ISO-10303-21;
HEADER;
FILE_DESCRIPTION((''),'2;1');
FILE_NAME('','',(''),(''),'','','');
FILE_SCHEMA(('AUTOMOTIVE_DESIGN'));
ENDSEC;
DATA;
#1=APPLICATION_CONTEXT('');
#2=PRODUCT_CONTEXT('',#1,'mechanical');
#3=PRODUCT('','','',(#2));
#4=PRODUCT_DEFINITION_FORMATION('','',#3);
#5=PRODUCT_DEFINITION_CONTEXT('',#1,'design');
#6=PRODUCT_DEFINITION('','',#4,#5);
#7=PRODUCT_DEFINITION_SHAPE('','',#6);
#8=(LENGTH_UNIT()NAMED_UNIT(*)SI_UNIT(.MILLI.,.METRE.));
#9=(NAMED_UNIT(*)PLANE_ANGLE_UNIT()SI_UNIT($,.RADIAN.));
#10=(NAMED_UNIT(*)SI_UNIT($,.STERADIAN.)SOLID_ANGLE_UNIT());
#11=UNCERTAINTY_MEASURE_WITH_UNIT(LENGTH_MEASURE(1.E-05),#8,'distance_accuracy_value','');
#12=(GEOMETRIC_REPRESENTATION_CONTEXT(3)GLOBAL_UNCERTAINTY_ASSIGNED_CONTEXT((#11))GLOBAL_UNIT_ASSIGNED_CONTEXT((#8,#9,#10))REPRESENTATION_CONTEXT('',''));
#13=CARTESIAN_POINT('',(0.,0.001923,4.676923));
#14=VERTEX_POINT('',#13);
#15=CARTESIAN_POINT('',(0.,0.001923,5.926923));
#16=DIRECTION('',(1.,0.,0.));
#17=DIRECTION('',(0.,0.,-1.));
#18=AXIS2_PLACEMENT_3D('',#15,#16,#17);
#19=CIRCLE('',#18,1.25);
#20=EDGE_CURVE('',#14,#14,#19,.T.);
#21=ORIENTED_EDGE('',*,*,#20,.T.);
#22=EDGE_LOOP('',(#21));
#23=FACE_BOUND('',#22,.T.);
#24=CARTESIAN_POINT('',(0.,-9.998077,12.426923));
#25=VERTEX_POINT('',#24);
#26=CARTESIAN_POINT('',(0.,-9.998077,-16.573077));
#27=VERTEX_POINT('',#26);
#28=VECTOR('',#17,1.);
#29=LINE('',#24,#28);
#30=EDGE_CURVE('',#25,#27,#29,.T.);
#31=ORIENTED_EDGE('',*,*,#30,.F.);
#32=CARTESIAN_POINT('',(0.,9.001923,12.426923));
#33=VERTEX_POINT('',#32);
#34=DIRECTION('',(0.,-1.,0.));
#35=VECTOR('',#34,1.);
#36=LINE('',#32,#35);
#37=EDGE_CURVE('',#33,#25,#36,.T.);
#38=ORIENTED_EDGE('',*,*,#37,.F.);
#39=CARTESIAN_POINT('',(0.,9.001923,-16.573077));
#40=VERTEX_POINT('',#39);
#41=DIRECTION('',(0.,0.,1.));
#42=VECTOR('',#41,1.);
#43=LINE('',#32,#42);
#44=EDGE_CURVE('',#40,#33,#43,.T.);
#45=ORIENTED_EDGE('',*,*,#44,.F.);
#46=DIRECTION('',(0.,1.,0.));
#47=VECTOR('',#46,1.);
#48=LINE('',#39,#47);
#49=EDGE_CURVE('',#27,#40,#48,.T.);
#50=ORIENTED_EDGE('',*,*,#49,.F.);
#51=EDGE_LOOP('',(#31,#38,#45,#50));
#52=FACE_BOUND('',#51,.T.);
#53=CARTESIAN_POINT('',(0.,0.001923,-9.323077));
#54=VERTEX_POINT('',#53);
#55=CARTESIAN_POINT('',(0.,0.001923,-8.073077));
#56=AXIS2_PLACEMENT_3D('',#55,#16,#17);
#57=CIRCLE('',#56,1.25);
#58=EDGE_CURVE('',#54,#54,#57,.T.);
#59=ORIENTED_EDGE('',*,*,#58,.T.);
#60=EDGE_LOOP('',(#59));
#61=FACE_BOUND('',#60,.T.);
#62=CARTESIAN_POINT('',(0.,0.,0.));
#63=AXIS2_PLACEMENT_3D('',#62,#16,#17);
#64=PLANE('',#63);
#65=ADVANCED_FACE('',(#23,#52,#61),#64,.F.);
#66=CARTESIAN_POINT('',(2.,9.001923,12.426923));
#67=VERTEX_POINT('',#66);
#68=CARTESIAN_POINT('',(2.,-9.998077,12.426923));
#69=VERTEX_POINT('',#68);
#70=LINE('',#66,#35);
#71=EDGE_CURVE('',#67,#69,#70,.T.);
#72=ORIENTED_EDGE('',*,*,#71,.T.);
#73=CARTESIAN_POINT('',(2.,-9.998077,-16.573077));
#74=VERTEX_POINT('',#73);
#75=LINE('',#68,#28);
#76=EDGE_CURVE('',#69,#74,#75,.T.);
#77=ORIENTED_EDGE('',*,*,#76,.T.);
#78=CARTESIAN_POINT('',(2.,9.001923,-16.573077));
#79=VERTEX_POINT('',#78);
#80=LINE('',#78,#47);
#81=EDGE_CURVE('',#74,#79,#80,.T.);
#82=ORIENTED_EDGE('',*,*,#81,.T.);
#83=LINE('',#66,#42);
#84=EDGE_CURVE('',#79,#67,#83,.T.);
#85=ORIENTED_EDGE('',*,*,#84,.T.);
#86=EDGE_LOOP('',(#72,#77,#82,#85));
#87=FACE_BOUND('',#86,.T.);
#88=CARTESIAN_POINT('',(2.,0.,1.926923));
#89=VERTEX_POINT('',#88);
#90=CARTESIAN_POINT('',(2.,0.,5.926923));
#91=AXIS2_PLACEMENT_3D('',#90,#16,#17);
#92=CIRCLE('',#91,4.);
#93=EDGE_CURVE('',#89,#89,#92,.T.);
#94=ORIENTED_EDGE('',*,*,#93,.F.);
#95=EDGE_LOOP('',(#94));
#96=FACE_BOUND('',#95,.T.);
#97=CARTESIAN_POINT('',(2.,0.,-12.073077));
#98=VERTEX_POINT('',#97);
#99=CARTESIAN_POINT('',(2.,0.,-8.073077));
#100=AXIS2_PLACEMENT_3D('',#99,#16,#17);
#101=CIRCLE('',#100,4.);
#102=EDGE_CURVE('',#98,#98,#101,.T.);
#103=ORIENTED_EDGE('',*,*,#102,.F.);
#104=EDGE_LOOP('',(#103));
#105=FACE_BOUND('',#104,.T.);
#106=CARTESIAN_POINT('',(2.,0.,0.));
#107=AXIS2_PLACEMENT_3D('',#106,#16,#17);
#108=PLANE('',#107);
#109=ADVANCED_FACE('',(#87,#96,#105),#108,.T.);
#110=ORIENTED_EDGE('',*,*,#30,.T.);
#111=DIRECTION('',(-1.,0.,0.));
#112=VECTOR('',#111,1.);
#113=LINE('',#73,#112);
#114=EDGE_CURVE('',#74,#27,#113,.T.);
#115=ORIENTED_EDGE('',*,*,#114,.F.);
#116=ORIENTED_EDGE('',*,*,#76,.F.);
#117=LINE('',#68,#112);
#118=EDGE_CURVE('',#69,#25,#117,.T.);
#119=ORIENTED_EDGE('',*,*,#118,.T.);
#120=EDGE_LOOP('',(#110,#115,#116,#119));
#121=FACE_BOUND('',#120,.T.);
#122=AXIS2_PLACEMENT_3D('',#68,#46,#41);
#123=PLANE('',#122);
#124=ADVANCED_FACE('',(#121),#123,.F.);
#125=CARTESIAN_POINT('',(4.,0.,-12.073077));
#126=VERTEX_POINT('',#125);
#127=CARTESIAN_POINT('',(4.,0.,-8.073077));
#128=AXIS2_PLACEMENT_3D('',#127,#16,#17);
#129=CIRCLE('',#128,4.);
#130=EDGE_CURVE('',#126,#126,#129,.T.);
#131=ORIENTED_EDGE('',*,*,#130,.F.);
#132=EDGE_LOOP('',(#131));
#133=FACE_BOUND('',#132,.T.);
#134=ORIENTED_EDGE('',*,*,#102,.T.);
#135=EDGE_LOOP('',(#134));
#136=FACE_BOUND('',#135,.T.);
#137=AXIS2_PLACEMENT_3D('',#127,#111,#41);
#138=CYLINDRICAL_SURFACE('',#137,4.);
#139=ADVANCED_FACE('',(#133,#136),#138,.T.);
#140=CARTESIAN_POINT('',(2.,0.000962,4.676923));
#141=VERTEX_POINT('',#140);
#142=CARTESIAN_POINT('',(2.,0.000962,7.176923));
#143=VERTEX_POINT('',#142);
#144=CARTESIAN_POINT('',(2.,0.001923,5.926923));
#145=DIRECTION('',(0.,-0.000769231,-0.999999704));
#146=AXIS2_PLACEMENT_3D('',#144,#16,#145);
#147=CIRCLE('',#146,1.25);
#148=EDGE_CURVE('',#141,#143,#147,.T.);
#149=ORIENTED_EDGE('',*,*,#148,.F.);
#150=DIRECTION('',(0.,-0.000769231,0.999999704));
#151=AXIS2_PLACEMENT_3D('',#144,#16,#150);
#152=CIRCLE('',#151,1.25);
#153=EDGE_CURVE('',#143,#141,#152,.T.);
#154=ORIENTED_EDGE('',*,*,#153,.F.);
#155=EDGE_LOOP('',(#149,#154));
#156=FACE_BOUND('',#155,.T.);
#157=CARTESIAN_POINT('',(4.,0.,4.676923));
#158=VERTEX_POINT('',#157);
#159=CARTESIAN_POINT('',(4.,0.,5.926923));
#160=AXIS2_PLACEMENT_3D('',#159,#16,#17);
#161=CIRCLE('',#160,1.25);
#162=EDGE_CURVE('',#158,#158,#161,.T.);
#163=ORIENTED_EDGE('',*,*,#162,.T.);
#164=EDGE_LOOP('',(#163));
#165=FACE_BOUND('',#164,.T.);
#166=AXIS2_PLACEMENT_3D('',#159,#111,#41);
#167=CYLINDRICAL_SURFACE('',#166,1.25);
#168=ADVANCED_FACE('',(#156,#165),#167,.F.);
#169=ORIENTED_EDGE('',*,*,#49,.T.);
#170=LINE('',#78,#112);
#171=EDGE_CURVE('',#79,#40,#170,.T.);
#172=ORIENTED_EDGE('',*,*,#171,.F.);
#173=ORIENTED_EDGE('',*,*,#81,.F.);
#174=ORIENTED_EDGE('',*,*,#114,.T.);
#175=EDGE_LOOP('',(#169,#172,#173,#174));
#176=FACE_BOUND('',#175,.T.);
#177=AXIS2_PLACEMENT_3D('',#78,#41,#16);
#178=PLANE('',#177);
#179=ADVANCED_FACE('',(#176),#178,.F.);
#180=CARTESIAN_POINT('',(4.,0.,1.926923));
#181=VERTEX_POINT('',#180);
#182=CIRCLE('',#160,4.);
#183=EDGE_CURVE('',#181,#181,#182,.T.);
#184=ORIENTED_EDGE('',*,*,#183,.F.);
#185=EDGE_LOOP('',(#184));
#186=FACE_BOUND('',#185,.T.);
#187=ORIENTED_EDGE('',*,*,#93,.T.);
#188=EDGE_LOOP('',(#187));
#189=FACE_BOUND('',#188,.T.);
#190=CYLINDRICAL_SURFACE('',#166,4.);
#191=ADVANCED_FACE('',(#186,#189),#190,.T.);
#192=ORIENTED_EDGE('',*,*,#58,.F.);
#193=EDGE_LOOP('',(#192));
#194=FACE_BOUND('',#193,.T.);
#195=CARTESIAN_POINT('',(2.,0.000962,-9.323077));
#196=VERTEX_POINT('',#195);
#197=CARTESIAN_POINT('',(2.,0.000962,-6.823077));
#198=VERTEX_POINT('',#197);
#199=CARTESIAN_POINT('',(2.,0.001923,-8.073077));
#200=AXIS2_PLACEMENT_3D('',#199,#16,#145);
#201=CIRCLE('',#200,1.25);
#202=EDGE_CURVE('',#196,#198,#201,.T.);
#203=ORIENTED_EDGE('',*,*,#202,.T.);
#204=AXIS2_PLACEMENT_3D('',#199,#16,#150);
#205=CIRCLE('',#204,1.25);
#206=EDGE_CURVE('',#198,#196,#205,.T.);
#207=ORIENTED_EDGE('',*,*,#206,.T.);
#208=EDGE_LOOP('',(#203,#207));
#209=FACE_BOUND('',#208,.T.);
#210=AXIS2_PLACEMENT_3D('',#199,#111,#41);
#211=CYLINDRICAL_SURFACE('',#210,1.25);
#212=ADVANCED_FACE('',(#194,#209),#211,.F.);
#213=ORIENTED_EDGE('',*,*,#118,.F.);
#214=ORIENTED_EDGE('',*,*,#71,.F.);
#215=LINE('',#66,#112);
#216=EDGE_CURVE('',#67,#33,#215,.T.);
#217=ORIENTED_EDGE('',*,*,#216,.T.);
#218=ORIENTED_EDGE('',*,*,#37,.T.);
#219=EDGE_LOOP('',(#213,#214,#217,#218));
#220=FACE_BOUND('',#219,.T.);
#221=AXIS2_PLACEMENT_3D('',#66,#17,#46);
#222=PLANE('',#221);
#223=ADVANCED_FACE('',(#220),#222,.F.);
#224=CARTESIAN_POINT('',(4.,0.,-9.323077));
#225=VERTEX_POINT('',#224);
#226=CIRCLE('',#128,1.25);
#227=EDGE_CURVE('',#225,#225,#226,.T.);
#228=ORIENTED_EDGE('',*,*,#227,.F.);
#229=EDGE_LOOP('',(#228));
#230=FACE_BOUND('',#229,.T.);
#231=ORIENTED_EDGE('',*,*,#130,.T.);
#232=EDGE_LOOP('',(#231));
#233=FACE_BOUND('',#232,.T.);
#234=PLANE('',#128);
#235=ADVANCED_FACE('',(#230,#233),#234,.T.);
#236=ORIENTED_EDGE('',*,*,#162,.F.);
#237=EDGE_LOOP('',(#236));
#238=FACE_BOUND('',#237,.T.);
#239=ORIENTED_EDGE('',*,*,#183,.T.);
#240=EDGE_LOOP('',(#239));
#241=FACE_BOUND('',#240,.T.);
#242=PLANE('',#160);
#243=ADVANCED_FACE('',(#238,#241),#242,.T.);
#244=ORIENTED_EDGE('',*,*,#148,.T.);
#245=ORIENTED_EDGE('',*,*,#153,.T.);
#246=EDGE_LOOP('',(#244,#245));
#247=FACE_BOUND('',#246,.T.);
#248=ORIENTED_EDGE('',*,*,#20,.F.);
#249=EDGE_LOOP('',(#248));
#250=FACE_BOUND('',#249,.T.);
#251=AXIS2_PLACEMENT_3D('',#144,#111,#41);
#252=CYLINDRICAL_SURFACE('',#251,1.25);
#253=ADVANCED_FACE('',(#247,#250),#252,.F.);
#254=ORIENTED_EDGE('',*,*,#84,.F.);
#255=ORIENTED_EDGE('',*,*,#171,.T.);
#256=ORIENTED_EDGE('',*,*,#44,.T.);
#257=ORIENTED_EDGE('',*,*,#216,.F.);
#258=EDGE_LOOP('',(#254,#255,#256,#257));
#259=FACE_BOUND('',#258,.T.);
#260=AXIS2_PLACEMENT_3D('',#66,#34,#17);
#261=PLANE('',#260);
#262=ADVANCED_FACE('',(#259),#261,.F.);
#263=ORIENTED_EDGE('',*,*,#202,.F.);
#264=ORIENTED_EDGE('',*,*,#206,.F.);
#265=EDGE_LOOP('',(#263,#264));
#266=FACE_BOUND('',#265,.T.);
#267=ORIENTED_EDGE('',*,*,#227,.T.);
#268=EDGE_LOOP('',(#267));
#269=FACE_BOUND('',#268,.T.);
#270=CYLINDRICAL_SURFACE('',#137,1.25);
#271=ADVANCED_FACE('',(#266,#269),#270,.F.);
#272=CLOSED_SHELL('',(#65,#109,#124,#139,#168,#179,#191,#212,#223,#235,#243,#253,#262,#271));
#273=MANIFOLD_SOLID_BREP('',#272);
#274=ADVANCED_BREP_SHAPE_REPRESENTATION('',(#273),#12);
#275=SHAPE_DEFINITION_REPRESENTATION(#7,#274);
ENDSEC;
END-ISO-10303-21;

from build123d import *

# Parameters (mm, degrees)
ESBO_O1_W                = 29
ESBO_O1_H                = 19
ESBO_O1_R                = 1.25
RESSALTO_EXTRUS_O1_DEPTH = 2
ESBO_O2_R                = 4
ESBO_O2_R_2              = 1.25
RESSALTO_EXTRUS_O2_DEPTH = 2


with BuildPart() as part:
    # Esboço1 → Ressalto-extrusão1 (new body)
    with BuildSketch(Plane(origin=(0, 0, 0), x_dir=(0, 0, -1), z_dir=(1, 0, 0))):
        with Locations((2.073076923, -0.498076923)):
            Rectangle(ESBO_O1_W, ESBO_O1_H)
        with Locations((8.073076923, 0.001923077)):
            Circle(ESBO_O1_R, mode=Mode.SUBTRACT)
        with Locations((-5.926923077, 0.001923077)):
            Circle(ESBO_O1_R, mode=Mode.SUBTRACT)
    extrude(amount=RESSALTO_EXTRUS_O1_DEPTH)

    # Esboço2 → Ressalto-extrusão2 (add)
    # profile 1 of 2: a face of its own
    with BuildSketch(Plane(origin=(2, 0, 0), x_dir=(0, 0, -1), z_dir=(1, 0, 0))):
        with Locations((8.073076923, 0)):
            Circle(ESBO_O2_R)
        with Locations(Location((8.073076923, 0, 0), (0, 0, 179.955926319))):
            Circle(ESBO_O2_R_2, mode=Mode.SUBTRACT)
    # profile 2 of 2: a face of its own
    with BuildSketch(Plane(origin=(2, 0, 0), x_dir=(0, 0, -1), z_dir=(1, 0, 0))):
        with Locations((-5.926923077, 0)):
            Circle(ESBO_O2_R)
        with Locations(Location((-5.926923077, 0, 0), (0, 0, 179.955926319))):
            Circle(ESBO_O2_R_2, mode=Mode.SUBTRACT)
    extrude(amount=RESSALTO_EXTRUS_O2_DEPTH)


solid = part.part
